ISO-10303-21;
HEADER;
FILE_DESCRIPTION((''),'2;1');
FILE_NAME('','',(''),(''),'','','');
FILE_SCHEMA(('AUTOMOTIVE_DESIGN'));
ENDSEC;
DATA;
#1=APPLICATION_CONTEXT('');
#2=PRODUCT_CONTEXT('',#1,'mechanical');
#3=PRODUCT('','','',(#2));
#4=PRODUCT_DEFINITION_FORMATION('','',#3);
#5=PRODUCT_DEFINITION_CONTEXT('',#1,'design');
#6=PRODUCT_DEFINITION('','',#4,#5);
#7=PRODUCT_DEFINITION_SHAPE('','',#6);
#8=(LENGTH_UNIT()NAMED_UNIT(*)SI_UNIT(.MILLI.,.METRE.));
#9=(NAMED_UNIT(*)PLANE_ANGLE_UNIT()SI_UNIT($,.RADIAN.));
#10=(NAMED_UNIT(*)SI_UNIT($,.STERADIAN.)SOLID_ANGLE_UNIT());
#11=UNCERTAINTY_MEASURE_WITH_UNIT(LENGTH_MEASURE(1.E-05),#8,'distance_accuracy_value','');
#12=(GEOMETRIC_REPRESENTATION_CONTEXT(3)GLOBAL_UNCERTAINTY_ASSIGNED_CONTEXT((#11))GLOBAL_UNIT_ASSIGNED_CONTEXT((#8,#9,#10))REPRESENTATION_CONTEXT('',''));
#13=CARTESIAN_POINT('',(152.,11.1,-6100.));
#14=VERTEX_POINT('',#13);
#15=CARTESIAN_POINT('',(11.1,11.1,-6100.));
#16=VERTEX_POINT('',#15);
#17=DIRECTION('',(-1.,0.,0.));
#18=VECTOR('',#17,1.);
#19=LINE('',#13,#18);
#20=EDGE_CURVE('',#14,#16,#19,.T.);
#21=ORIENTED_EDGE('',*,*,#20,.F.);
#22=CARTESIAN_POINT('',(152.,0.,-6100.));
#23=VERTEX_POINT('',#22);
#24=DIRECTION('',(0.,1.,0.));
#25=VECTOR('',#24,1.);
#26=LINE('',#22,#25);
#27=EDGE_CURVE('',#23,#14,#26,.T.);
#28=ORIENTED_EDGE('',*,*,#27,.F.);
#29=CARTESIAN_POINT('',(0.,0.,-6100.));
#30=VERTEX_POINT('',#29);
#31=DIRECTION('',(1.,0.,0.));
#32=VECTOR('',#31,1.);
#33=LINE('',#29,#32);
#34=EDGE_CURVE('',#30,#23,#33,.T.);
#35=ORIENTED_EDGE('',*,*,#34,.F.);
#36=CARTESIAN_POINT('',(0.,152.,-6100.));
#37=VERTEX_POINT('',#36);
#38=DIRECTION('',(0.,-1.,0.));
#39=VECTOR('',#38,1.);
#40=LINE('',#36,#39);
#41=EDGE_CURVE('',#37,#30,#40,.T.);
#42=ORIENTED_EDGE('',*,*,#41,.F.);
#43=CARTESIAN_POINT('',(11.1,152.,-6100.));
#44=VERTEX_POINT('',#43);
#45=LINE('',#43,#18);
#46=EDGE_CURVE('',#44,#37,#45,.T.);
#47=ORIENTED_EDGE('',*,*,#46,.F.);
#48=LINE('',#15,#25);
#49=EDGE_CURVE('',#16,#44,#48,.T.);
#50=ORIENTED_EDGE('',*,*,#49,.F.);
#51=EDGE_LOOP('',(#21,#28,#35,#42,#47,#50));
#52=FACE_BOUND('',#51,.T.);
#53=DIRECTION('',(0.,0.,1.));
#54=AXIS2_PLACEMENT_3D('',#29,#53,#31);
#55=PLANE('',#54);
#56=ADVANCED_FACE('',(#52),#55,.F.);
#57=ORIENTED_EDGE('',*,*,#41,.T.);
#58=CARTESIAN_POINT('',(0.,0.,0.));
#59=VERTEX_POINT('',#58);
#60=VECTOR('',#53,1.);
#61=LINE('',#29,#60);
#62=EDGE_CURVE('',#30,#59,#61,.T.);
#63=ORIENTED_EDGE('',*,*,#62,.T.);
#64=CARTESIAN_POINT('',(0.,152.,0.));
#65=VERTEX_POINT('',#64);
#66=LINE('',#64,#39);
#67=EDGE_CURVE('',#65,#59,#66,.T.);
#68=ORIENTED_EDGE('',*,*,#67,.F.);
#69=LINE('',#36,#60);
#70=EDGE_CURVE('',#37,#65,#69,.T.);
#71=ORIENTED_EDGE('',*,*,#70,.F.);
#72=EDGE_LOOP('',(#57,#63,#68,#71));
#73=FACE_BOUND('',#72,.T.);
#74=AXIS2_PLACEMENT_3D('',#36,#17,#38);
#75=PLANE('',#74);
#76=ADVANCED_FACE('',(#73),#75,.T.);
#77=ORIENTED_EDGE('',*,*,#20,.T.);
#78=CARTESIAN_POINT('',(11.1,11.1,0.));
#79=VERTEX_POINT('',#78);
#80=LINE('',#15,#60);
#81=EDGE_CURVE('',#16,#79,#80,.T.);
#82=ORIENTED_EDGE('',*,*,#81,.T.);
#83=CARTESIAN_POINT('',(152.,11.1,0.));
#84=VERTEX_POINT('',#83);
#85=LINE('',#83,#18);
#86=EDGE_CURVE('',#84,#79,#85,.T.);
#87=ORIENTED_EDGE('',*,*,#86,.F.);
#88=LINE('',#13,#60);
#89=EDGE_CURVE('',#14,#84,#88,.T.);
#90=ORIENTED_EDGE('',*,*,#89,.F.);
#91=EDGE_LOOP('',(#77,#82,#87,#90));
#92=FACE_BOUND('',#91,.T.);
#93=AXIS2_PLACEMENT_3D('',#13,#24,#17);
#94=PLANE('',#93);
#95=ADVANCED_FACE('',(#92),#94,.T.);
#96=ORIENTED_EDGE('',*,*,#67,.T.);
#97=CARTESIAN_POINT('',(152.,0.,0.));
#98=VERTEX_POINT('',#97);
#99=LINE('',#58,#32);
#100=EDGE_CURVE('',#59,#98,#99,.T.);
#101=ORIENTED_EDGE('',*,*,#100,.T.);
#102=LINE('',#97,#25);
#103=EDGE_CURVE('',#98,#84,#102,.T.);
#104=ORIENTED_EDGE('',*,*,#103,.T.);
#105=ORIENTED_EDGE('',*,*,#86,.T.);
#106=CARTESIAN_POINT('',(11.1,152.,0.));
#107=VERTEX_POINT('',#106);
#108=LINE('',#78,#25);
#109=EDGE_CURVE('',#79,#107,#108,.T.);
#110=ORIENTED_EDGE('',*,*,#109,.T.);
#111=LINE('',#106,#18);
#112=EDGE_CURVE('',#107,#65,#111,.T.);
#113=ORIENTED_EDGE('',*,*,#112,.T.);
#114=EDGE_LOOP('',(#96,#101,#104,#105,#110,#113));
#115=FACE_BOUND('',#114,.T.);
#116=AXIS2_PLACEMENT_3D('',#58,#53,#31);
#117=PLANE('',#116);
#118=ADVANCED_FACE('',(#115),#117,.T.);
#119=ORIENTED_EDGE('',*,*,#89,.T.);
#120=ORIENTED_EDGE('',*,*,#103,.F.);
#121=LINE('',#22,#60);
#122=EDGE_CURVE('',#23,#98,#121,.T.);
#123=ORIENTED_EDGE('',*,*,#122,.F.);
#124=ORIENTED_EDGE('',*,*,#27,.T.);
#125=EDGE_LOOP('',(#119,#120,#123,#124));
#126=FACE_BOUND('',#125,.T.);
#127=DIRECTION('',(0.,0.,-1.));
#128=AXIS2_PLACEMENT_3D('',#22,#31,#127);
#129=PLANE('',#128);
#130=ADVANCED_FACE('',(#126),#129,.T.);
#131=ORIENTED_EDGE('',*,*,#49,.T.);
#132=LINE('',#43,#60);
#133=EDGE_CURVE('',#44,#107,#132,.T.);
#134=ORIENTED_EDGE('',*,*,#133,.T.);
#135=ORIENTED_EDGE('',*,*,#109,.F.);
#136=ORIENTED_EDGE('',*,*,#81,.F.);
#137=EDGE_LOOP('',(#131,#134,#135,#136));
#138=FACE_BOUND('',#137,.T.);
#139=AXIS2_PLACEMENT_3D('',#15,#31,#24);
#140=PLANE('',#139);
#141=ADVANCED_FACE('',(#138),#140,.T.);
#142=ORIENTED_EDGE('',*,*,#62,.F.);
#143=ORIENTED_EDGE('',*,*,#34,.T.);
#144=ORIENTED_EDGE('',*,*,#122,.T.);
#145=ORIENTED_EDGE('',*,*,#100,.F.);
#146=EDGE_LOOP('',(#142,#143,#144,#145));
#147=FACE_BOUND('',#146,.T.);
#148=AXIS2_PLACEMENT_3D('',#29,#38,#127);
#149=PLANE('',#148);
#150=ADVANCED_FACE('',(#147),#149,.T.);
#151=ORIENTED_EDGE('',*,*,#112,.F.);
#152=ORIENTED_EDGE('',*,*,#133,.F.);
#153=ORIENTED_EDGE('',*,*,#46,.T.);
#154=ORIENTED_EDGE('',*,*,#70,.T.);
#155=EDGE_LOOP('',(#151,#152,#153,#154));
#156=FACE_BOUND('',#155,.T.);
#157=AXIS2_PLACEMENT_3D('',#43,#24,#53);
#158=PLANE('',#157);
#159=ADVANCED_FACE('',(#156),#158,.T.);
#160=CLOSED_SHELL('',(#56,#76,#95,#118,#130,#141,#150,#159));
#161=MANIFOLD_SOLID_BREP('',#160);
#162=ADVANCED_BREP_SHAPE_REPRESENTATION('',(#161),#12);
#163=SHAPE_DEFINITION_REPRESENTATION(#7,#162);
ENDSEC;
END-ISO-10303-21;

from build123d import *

# Parameters (mm, degrees)
SALIENTE_EXTRUIR1_DEPTH = 6100


with BuildPart() as part:
    # Croquis1 → Saliente-Extruir1 (new body)
    with BuildSketch(Plane.XY):
        Polygon((0, 152), (0, 0), (152, 0), (152, 11.1), (11.1, 11.1), (11.1, 152), align=None)
    extrude(amount=-SALIENTE_EXTRUIR1_DEPTH)


solid = part.part
